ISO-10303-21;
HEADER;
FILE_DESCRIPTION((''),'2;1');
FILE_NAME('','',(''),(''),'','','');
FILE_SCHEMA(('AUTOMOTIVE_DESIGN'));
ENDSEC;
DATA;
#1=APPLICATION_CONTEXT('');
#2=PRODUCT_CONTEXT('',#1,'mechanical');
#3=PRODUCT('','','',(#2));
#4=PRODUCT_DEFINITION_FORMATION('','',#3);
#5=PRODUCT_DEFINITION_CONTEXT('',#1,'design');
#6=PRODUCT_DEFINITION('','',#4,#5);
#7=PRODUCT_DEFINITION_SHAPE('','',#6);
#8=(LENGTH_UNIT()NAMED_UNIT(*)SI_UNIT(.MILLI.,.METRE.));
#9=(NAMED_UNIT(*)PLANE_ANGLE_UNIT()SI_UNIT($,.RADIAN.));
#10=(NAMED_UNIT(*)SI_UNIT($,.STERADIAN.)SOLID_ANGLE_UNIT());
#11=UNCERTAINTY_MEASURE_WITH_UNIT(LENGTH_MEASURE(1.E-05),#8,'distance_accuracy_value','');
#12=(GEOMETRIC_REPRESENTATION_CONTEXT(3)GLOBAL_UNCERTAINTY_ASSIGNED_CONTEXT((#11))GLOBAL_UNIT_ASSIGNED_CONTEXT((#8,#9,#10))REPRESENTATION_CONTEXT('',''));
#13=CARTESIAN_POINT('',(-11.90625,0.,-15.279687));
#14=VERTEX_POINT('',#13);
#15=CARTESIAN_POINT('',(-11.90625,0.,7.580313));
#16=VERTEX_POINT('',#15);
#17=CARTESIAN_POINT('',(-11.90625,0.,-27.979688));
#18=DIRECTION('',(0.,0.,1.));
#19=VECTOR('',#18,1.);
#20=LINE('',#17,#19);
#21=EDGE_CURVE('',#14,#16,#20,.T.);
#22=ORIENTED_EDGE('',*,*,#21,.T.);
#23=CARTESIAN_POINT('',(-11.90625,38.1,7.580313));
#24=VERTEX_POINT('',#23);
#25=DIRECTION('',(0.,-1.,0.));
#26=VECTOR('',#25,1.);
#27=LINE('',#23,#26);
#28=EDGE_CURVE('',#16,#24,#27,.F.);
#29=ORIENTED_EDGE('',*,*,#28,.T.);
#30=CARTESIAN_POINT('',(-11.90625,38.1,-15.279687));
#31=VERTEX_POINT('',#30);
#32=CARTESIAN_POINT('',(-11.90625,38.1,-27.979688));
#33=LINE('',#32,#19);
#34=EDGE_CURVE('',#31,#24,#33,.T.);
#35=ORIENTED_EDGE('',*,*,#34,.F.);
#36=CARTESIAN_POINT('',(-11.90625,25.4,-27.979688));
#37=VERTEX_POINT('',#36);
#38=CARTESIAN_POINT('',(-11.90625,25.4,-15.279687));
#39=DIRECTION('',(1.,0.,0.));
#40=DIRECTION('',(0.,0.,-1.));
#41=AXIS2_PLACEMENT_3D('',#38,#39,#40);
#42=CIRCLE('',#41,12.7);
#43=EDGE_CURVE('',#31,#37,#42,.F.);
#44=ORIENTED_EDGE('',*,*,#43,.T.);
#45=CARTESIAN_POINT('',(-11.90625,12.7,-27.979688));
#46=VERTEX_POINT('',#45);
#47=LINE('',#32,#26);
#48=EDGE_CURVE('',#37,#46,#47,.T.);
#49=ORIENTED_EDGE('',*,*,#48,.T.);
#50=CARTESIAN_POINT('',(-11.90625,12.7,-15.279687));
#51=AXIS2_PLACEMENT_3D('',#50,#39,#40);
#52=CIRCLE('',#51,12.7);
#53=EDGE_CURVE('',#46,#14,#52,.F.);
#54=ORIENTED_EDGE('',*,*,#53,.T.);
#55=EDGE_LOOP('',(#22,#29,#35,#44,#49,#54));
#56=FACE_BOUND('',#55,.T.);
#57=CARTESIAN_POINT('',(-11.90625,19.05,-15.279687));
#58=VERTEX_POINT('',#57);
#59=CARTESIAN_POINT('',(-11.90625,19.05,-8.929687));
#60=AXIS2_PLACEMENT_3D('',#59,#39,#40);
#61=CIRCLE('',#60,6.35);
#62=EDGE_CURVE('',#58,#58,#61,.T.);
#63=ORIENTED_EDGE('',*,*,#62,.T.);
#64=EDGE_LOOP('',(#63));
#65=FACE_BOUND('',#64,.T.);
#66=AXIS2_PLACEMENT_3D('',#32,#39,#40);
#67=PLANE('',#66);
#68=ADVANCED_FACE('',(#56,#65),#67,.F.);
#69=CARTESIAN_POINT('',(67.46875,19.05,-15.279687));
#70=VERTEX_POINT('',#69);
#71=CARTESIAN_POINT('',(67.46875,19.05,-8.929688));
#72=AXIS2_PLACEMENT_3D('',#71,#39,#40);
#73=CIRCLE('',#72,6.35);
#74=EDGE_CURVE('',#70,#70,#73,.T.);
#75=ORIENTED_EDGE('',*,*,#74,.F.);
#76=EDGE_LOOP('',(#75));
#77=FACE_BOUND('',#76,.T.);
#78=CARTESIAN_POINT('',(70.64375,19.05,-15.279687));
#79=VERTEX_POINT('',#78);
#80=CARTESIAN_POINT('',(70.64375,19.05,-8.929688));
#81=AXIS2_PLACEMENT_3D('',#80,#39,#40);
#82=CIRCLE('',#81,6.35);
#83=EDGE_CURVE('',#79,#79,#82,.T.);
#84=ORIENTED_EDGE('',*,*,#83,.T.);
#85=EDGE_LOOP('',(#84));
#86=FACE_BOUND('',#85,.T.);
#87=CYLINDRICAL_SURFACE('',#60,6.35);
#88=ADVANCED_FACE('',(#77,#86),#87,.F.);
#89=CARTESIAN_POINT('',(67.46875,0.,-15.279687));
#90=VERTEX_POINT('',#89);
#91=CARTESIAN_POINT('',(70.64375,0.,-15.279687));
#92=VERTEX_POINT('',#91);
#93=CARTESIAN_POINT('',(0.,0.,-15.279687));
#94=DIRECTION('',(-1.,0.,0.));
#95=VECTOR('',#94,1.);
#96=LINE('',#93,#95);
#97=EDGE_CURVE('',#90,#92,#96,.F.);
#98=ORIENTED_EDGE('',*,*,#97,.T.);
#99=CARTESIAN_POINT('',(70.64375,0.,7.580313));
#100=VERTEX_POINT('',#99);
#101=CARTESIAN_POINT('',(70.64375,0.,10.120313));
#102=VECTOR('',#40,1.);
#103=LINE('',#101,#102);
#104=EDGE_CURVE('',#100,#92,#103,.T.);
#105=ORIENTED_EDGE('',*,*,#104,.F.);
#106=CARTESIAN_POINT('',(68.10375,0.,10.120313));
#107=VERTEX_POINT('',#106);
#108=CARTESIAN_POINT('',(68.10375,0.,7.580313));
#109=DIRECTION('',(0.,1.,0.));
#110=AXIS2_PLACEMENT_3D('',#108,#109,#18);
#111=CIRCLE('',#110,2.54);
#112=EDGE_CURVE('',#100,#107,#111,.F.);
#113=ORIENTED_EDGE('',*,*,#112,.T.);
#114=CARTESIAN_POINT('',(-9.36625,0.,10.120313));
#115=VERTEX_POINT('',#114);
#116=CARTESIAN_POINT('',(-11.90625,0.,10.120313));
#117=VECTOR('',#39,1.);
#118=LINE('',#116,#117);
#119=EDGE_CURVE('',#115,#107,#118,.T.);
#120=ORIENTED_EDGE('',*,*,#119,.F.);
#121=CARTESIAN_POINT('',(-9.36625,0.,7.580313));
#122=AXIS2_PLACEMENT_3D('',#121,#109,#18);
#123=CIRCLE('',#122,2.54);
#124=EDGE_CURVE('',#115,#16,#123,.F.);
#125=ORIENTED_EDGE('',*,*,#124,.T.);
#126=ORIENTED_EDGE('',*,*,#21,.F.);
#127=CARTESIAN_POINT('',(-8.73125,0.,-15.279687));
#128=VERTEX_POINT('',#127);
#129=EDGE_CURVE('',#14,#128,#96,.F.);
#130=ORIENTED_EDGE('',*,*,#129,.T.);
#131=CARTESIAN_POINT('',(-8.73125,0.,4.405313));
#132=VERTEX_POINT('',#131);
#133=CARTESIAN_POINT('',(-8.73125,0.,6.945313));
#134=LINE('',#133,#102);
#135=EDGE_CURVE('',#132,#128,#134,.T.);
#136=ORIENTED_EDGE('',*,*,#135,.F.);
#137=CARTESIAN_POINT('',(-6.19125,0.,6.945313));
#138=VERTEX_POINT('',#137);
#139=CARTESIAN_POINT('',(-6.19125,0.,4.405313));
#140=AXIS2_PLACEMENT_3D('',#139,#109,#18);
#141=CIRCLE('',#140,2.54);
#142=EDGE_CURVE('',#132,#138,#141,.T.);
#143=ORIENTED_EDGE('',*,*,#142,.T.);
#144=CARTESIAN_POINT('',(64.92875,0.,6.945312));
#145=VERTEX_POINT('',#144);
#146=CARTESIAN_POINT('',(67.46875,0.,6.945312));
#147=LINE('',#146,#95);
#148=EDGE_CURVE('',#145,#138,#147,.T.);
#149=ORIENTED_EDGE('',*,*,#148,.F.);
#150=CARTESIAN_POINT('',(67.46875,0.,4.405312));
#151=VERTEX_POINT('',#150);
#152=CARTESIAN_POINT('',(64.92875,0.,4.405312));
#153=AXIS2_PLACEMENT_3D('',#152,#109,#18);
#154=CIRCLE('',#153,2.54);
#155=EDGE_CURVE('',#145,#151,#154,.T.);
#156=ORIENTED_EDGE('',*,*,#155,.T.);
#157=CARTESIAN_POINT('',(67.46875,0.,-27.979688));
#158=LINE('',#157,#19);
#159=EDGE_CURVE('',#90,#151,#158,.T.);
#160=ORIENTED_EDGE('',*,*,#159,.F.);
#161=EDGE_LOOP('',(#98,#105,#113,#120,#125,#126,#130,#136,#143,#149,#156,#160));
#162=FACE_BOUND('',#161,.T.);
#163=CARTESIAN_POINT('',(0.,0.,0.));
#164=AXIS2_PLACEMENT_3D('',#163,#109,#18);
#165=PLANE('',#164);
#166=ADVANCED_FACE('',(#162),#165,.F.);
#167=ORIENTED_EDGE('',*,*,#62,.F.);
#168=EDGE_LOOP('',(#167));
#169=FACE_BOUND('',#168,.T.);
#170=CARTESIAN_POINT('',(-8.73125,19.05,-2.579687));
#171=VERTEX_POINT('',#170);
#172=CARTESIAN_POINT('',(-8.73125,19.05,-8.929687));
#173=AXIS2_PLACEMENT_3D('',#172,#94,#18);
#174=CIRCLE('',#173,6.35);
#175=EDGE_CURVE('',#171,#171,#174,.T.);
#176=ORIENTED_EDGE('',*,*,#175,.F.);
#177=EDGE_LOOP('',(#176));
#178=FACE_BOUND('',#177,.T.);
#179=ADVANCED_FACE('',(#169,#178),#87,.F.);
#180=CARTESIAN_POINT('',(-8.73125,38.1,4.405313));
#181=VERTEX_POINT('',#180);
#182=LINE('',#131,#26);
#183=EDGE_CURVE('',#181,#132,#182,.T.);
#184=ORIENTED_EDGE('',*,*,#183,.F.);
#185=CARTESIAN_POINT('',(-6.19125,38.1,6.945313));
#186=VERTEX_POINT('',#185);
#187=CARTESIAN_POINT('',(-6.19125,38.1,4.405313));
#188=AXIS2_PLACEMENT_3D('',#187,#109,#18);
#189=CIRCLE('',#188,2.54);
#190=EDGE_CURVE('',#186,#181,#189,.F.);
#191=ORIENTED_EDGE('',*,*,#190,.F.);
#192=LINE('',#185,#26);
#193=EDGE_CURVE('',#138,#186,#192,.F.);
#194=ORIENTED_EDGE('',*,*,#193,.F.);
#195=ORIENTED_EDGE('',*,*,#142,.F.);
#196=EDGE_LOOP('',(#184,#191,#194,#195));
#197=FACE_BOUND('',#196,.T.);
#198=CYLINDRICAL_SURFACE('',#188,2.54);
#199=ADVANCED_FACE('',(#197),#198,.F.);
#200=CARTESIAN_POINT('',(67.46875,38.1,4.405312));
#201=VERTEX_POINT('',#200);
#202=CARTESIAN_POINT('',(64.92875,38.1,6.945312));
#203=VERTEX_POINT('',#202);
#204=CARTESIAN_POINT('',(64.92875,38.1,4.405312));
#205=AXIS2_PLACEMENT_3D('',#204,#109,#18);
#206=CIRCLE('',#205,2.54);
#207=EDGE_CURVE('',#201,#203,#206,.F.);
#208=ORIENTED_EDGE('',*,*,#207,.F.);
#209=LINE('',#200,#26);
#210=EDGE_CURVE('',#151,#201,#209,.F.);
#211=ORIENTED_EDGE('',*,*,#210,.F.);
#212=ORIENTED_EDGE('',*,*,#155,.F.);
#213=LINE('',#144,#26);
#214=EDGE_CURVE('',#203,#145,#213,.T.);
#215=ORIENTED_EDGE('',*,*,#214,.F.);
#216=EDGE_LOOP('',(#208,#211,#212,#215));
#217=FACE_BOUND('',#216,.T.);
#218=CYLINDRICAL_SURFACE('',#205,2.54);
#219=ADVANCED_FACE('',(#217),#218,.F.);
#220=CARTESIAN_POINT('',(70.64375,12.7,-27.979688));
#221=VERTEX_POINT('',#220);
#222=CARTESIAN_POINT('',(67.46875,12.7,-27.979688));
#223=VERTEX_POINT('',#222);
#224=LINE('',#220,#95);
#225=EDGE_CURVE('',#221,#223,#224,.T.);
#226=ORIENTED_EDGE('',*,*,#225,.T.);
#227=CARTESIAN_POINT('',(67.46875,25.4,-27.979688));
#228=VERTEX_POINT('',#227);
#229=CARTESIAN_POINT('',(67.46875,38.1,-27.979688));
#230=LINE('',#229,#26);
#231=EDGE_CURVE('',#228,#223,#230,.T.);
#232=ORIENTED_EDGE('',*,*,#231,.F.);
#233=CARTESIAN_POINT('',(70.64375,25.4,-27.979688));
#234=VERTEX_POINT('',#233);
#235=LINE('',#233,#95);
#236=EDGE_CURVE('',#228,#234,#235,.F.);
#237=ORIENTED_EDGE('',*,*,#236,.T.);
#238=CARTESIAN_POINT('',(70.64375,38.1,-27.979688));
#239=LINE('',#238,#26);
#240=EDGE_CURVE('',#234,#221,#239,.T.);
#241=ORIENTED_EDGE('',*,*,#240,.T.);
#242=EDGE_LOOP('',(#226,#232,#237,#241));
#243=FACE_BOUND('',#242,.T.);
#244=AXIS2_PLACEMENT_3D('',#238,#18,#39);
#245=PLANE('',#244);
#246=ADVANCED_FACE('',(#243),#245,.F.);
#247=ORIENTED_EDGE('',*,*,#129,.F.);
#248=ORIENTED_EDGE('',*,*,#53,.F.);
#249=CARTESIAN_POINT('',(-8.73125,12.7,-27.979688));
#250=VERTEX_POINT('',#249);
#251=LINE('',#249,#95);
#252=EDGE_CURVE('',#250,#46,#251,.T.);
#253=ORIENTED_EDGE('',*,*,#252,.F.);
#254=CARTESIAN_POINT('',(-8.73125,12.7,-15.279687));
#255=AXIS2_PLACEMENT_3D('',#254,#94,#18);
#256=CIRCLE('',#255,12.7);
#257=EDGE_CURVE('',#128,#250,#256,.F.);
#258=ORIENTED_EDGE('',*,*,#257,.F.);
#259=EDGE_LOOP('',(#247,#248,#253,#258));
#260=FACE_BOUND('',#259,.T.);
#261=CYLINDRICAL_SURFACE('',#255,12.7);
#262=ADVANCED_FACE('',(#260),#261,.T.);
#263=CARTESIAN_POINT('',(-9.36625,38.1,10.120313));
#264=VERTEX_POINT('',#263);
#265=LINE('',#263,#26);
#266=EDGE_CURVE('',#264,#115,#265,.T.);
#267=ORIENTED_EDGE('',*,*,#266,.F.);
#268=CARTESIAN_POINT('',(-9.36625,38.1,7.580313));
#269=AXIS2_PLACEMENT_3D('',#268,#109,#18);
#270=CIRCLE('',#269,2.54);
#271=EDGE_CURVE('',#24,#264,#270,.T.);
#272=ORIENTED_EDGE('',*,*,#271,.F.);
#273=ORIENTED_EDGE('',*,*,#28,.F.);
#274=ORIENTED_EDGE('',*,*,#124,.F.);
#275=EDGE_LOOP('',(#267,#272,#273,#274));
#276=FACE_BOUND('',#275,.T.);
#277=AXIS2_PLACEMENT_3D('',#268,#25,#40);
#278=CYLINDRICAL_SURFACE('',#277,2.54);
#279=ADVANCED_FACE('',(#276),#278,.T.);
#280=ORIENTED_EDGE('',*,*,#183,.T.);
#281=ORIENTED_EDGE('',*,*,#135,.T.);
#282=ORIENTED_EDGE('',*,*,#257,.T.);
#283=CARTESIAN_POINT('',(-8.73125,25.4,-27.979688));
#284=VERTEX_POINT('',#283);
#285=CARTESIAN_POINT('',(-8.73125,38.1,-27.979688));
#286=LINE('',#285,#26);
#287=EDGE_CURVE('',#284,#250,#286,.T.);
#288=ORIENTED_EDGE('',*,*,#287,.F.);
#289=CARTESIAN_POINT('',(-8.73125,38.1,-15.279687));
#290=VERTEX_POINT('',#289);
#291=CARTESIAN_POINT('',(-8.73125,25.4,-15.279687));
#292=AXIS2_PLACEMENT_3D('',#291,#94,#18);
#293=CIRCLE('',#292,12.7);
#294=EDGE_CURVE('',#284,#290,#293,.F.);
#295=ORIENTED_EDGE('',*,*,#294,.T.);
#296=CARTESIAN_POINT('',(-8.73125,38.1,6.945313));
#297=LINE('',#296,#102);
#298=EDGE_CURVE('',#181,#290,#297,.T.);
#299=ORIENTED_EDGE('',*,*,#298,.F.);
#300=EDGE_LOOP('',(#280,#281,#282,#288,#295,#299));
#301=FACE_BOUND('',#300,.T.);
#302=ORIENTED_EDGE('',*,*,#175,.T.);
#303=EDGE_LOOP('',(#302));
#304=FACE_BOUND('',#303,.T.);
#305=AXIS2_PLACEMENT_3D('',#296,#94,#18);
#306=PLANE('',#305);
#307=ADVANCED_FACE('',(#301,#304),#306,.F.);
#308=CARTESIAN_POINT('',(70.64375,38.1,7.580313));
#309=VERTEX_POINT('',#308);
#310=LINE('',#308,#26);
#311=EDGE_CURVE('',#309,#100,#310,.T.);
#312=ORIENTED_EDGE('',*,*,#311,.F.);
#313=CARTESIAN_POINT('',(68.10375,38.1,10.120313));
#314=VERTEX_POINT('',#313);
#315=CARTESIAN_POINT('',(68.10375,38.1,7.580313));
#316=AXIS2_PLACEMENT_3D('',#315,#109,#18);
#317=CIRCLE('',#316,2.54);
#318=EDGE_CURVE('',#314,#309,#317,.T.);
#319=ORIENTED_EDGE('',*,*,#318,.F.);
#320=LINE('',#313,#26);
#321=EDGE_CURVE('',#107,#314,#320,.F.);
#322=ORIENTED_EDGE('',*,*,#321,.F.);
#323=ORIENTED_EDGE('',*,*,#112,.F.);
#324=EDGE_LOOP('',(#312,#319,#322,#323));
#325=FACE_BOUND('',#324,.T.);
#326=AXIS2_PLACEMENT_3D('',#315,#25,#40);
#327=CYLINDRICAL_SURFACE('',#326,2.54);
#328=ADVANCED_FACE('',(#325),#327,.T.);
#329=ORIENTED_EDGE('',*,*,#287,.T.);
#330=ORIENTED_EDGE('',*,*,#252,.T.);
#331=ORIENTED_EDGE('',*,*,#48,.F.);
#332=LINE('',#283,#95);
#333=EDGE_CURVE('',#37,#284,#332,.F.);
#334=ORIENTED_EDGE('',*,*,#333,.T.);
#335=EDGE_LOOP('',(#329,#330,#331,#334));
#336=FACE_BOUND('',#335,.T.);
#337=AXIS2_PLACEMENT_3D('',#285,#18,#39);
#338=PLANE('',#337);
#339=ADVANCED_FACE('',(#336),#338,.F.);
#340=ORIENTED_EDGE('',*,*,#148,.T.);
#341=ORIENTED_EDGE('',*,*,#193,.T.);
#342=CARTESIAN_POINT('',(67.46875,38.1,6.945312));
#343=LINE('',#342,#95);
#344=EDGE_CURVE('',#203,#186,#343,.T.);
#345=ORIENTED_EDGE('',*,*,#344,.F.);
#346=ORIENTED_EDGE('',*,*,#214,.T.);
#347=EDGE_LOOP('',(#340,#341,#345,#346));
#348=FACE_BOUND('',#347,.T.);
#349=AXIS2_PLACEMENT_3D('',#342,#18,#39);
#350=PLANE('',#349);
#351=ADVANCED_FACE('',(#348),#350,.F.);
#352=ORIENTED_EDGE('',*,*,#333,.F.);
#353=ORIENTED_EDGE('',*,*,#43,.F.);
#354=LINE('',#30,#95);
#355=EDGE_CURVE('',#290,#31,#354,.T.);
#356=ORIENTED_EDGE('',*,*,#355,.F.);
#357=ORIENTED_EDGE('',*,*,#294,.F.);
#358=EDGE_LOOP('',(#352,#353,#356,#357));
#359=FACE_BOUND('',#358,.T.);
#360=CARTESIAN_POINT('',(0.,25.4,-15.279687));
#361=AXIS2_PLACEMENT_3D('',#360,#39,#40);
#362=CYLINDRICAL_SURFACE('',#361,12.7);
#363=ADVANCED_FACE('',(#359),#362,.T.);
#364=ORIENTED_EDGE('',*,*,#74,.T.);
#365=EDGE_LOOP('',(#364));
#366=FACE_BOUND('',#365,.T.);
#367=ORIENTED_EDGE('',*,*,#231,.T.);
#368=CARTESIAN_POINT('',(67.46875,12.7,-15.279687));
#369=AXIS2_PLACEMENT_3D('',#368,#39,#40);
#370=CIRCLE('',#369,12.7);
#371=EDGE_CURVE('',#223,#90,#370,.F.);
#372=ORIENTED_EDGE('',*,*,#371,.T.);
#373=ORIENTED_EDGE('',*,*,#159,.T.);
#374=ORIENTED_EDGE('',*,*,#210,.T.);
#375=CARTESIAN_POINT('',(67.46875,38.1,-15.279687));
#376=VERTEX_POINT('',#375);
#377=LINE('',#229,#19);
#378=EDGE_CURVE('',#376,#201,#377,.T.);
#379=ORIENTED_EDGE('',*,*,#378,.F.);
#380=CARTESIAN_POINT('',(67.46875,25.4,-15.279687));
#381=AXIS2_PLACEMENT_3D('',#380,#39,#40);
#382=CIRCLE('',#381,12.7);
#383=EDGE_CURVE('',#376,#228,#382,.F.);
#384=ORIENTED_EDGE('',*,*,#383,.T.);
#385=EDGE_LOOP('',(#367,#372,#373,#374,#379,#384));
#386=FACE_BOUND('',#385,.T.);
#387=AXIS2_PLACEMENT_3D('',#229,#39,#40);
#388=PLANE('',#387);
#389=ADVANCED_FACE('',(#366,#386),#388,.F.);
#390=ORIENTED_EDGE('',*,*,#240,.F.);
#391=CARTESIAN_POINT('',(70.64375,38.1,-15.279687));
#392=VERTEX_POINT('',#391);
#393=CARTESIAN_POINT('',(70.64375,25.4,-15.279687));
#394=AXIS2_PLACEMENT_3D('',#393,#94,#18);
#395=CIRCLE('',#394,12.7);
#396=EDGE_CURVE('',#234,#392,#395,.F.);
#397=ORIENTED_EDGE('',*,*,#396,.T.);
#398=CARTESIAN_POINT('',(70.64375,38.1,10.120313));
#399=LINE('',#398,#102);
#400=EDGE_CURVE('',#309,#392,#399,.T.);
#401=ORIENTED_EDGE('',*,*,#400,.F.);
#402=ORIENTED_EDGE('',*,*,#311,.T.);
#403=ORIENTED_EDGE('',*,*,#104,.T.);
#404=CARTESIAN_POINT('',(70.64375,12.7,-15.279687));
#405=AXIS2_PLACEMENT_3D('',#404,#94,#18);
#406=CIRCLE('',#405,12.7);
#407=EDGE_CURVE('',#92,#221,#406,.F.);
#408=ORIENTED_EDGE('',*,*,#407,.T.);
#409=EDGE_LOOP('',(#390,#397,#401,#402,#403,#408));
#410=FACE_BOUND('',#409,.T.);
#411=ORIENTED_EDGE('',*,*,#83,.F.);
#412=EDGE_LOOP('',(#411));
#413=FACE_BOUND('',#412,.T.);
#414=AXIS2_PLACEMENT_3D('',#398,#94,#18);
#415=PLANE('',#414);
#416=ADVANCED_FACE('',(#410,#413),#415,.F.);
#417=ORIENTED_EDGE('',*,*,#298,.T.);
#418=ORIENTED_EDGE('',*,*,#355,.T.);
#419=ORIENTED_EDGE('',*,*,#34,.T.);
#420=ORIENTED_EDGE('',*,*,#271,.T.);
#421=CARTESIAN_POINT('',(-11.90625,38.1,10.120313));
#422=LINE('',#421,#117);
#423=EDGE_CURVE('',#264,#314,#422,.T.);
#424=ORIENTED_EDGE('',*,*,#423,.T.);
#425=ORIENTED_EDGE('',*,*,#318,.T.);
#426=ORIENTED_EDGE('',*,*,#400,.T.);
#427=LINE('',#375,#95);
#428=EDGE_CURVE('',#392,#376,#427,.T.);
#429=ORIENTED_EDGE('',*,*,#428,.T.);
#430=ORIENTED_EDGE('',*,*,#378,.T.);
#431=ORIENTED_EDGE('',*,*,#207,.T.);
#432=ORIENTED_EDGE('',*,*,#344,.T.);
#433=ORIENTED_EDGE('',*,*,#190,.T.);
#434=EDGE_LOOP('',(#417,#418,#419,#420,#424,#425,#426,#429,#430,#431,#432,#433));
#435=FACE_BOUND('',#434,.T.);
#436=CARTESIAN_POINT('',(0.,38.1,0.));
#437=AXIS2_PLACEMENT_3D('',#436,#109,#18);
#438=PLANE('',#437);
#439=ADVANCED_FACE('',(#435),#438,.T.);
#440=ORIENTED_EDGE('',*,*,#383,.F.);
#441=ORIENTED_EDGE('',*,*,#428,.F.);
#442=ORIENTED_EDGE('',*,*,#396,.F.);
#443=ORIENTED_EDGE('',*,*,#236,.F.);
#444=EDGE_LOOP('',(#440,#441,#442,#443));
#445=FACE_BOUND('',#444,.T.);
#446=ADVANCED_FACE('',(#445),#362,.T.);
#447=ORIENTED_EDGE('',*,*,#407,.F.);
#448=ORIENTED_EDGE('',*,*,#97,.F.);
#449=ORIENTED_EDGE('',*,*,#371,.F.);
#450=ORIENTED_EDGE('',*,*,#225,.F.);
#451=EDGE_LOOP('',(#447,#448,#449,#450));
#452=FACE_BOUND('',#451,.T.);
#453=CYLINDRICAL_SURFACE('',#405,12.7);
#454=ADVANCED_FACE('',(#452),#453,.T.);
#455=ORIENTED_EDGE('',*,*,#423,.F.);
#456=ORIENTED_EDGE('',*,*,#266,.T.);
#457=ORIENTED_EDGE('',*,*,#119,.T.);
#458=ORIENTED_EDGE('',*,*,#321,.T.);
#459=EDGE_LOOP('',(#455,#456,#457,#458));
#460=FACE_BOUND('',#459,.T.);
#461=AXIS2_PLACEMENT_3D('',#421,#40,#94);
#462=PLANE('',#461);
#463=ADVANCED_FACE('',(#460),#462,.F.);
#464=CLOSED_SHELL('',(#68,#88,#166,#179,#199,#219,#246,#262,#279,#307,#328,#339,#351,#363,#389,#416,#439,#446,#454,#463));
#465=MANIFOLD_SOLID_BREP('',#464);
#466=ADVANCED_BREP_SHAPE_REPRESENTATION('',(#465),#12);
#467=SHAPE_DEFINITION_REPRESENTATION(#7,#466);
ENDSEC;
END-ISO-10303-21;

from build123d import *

# Parameters (mm, degrees)
BOSS_EXTRUDE1_DEPTH = 38.1
SKETCH4_R           = 6.35
CUT_EXTRUDE1_DEPTH  = 83.55
FILLET1_R           = 12.7
FILLET2_R           = 2.54


with BuildPart() as part:
    # Sketch1 → Boss-Extrude1 (new body)
    with BuildSketch(Plane(origin=(0, 0, 0), x_dir=(1, 0, 0), z_dir=(0, 1, 0))):
        Polygon((-11.90625, 27.9796875), (-11.90625, -10.1203125), (70.64375, -10.1203125), (70.64375, 27.9796875), (67.46875, 27.9796875), (67.46875, -6.9453125), (-8.73125, -6.9453125), (-8.73125, 27.9796875), align=None)
    extrude(amount=BOSS_EXTRUDE1_DEPTH)

    # Sketch4 → Cut-Extrude1 (cut, through all)
    with BuildSketch(Plane(origin=(70.64375, 0, 0), x_dir=(0, 0, -1), z_dir=(1, 0, 0))):
        with Locations((8.9296875, 19.05)):
            Circle(SKETCH4_R)
    extrude(amount=-CUT_EXTRUDE1_DEPTH, mode=Mode.SUBTRACT)

    # Fillet1
    fillet1_edges = [part.edges().sort_by_distance(p)[0] for p in [
        (-10.31875, 0, -27.9796875),
        (69.05625, 38.1, -27.9796875),
        (-10.31875, 38.1, -27.9796875),
        (69.05625, 0, -27.9796875),
    ]]
    fillet(fillet1_edges, radius=FILLET1_R)

    # Fillet2
    fillet2_edges = [part.edges().sort_by_distance(p)[0] for p in [
        (-8.73125, 19.05, 6.9453125),
        (67.46875, 19.05, 6.9453125),
        (70.64375, 19.05, 10.1203125),
        (-11.90625, 19.05, 10.1203125),
    ]]
    fillet(fillet2_edges, radius=FILLET2_R)


solid = part.part
